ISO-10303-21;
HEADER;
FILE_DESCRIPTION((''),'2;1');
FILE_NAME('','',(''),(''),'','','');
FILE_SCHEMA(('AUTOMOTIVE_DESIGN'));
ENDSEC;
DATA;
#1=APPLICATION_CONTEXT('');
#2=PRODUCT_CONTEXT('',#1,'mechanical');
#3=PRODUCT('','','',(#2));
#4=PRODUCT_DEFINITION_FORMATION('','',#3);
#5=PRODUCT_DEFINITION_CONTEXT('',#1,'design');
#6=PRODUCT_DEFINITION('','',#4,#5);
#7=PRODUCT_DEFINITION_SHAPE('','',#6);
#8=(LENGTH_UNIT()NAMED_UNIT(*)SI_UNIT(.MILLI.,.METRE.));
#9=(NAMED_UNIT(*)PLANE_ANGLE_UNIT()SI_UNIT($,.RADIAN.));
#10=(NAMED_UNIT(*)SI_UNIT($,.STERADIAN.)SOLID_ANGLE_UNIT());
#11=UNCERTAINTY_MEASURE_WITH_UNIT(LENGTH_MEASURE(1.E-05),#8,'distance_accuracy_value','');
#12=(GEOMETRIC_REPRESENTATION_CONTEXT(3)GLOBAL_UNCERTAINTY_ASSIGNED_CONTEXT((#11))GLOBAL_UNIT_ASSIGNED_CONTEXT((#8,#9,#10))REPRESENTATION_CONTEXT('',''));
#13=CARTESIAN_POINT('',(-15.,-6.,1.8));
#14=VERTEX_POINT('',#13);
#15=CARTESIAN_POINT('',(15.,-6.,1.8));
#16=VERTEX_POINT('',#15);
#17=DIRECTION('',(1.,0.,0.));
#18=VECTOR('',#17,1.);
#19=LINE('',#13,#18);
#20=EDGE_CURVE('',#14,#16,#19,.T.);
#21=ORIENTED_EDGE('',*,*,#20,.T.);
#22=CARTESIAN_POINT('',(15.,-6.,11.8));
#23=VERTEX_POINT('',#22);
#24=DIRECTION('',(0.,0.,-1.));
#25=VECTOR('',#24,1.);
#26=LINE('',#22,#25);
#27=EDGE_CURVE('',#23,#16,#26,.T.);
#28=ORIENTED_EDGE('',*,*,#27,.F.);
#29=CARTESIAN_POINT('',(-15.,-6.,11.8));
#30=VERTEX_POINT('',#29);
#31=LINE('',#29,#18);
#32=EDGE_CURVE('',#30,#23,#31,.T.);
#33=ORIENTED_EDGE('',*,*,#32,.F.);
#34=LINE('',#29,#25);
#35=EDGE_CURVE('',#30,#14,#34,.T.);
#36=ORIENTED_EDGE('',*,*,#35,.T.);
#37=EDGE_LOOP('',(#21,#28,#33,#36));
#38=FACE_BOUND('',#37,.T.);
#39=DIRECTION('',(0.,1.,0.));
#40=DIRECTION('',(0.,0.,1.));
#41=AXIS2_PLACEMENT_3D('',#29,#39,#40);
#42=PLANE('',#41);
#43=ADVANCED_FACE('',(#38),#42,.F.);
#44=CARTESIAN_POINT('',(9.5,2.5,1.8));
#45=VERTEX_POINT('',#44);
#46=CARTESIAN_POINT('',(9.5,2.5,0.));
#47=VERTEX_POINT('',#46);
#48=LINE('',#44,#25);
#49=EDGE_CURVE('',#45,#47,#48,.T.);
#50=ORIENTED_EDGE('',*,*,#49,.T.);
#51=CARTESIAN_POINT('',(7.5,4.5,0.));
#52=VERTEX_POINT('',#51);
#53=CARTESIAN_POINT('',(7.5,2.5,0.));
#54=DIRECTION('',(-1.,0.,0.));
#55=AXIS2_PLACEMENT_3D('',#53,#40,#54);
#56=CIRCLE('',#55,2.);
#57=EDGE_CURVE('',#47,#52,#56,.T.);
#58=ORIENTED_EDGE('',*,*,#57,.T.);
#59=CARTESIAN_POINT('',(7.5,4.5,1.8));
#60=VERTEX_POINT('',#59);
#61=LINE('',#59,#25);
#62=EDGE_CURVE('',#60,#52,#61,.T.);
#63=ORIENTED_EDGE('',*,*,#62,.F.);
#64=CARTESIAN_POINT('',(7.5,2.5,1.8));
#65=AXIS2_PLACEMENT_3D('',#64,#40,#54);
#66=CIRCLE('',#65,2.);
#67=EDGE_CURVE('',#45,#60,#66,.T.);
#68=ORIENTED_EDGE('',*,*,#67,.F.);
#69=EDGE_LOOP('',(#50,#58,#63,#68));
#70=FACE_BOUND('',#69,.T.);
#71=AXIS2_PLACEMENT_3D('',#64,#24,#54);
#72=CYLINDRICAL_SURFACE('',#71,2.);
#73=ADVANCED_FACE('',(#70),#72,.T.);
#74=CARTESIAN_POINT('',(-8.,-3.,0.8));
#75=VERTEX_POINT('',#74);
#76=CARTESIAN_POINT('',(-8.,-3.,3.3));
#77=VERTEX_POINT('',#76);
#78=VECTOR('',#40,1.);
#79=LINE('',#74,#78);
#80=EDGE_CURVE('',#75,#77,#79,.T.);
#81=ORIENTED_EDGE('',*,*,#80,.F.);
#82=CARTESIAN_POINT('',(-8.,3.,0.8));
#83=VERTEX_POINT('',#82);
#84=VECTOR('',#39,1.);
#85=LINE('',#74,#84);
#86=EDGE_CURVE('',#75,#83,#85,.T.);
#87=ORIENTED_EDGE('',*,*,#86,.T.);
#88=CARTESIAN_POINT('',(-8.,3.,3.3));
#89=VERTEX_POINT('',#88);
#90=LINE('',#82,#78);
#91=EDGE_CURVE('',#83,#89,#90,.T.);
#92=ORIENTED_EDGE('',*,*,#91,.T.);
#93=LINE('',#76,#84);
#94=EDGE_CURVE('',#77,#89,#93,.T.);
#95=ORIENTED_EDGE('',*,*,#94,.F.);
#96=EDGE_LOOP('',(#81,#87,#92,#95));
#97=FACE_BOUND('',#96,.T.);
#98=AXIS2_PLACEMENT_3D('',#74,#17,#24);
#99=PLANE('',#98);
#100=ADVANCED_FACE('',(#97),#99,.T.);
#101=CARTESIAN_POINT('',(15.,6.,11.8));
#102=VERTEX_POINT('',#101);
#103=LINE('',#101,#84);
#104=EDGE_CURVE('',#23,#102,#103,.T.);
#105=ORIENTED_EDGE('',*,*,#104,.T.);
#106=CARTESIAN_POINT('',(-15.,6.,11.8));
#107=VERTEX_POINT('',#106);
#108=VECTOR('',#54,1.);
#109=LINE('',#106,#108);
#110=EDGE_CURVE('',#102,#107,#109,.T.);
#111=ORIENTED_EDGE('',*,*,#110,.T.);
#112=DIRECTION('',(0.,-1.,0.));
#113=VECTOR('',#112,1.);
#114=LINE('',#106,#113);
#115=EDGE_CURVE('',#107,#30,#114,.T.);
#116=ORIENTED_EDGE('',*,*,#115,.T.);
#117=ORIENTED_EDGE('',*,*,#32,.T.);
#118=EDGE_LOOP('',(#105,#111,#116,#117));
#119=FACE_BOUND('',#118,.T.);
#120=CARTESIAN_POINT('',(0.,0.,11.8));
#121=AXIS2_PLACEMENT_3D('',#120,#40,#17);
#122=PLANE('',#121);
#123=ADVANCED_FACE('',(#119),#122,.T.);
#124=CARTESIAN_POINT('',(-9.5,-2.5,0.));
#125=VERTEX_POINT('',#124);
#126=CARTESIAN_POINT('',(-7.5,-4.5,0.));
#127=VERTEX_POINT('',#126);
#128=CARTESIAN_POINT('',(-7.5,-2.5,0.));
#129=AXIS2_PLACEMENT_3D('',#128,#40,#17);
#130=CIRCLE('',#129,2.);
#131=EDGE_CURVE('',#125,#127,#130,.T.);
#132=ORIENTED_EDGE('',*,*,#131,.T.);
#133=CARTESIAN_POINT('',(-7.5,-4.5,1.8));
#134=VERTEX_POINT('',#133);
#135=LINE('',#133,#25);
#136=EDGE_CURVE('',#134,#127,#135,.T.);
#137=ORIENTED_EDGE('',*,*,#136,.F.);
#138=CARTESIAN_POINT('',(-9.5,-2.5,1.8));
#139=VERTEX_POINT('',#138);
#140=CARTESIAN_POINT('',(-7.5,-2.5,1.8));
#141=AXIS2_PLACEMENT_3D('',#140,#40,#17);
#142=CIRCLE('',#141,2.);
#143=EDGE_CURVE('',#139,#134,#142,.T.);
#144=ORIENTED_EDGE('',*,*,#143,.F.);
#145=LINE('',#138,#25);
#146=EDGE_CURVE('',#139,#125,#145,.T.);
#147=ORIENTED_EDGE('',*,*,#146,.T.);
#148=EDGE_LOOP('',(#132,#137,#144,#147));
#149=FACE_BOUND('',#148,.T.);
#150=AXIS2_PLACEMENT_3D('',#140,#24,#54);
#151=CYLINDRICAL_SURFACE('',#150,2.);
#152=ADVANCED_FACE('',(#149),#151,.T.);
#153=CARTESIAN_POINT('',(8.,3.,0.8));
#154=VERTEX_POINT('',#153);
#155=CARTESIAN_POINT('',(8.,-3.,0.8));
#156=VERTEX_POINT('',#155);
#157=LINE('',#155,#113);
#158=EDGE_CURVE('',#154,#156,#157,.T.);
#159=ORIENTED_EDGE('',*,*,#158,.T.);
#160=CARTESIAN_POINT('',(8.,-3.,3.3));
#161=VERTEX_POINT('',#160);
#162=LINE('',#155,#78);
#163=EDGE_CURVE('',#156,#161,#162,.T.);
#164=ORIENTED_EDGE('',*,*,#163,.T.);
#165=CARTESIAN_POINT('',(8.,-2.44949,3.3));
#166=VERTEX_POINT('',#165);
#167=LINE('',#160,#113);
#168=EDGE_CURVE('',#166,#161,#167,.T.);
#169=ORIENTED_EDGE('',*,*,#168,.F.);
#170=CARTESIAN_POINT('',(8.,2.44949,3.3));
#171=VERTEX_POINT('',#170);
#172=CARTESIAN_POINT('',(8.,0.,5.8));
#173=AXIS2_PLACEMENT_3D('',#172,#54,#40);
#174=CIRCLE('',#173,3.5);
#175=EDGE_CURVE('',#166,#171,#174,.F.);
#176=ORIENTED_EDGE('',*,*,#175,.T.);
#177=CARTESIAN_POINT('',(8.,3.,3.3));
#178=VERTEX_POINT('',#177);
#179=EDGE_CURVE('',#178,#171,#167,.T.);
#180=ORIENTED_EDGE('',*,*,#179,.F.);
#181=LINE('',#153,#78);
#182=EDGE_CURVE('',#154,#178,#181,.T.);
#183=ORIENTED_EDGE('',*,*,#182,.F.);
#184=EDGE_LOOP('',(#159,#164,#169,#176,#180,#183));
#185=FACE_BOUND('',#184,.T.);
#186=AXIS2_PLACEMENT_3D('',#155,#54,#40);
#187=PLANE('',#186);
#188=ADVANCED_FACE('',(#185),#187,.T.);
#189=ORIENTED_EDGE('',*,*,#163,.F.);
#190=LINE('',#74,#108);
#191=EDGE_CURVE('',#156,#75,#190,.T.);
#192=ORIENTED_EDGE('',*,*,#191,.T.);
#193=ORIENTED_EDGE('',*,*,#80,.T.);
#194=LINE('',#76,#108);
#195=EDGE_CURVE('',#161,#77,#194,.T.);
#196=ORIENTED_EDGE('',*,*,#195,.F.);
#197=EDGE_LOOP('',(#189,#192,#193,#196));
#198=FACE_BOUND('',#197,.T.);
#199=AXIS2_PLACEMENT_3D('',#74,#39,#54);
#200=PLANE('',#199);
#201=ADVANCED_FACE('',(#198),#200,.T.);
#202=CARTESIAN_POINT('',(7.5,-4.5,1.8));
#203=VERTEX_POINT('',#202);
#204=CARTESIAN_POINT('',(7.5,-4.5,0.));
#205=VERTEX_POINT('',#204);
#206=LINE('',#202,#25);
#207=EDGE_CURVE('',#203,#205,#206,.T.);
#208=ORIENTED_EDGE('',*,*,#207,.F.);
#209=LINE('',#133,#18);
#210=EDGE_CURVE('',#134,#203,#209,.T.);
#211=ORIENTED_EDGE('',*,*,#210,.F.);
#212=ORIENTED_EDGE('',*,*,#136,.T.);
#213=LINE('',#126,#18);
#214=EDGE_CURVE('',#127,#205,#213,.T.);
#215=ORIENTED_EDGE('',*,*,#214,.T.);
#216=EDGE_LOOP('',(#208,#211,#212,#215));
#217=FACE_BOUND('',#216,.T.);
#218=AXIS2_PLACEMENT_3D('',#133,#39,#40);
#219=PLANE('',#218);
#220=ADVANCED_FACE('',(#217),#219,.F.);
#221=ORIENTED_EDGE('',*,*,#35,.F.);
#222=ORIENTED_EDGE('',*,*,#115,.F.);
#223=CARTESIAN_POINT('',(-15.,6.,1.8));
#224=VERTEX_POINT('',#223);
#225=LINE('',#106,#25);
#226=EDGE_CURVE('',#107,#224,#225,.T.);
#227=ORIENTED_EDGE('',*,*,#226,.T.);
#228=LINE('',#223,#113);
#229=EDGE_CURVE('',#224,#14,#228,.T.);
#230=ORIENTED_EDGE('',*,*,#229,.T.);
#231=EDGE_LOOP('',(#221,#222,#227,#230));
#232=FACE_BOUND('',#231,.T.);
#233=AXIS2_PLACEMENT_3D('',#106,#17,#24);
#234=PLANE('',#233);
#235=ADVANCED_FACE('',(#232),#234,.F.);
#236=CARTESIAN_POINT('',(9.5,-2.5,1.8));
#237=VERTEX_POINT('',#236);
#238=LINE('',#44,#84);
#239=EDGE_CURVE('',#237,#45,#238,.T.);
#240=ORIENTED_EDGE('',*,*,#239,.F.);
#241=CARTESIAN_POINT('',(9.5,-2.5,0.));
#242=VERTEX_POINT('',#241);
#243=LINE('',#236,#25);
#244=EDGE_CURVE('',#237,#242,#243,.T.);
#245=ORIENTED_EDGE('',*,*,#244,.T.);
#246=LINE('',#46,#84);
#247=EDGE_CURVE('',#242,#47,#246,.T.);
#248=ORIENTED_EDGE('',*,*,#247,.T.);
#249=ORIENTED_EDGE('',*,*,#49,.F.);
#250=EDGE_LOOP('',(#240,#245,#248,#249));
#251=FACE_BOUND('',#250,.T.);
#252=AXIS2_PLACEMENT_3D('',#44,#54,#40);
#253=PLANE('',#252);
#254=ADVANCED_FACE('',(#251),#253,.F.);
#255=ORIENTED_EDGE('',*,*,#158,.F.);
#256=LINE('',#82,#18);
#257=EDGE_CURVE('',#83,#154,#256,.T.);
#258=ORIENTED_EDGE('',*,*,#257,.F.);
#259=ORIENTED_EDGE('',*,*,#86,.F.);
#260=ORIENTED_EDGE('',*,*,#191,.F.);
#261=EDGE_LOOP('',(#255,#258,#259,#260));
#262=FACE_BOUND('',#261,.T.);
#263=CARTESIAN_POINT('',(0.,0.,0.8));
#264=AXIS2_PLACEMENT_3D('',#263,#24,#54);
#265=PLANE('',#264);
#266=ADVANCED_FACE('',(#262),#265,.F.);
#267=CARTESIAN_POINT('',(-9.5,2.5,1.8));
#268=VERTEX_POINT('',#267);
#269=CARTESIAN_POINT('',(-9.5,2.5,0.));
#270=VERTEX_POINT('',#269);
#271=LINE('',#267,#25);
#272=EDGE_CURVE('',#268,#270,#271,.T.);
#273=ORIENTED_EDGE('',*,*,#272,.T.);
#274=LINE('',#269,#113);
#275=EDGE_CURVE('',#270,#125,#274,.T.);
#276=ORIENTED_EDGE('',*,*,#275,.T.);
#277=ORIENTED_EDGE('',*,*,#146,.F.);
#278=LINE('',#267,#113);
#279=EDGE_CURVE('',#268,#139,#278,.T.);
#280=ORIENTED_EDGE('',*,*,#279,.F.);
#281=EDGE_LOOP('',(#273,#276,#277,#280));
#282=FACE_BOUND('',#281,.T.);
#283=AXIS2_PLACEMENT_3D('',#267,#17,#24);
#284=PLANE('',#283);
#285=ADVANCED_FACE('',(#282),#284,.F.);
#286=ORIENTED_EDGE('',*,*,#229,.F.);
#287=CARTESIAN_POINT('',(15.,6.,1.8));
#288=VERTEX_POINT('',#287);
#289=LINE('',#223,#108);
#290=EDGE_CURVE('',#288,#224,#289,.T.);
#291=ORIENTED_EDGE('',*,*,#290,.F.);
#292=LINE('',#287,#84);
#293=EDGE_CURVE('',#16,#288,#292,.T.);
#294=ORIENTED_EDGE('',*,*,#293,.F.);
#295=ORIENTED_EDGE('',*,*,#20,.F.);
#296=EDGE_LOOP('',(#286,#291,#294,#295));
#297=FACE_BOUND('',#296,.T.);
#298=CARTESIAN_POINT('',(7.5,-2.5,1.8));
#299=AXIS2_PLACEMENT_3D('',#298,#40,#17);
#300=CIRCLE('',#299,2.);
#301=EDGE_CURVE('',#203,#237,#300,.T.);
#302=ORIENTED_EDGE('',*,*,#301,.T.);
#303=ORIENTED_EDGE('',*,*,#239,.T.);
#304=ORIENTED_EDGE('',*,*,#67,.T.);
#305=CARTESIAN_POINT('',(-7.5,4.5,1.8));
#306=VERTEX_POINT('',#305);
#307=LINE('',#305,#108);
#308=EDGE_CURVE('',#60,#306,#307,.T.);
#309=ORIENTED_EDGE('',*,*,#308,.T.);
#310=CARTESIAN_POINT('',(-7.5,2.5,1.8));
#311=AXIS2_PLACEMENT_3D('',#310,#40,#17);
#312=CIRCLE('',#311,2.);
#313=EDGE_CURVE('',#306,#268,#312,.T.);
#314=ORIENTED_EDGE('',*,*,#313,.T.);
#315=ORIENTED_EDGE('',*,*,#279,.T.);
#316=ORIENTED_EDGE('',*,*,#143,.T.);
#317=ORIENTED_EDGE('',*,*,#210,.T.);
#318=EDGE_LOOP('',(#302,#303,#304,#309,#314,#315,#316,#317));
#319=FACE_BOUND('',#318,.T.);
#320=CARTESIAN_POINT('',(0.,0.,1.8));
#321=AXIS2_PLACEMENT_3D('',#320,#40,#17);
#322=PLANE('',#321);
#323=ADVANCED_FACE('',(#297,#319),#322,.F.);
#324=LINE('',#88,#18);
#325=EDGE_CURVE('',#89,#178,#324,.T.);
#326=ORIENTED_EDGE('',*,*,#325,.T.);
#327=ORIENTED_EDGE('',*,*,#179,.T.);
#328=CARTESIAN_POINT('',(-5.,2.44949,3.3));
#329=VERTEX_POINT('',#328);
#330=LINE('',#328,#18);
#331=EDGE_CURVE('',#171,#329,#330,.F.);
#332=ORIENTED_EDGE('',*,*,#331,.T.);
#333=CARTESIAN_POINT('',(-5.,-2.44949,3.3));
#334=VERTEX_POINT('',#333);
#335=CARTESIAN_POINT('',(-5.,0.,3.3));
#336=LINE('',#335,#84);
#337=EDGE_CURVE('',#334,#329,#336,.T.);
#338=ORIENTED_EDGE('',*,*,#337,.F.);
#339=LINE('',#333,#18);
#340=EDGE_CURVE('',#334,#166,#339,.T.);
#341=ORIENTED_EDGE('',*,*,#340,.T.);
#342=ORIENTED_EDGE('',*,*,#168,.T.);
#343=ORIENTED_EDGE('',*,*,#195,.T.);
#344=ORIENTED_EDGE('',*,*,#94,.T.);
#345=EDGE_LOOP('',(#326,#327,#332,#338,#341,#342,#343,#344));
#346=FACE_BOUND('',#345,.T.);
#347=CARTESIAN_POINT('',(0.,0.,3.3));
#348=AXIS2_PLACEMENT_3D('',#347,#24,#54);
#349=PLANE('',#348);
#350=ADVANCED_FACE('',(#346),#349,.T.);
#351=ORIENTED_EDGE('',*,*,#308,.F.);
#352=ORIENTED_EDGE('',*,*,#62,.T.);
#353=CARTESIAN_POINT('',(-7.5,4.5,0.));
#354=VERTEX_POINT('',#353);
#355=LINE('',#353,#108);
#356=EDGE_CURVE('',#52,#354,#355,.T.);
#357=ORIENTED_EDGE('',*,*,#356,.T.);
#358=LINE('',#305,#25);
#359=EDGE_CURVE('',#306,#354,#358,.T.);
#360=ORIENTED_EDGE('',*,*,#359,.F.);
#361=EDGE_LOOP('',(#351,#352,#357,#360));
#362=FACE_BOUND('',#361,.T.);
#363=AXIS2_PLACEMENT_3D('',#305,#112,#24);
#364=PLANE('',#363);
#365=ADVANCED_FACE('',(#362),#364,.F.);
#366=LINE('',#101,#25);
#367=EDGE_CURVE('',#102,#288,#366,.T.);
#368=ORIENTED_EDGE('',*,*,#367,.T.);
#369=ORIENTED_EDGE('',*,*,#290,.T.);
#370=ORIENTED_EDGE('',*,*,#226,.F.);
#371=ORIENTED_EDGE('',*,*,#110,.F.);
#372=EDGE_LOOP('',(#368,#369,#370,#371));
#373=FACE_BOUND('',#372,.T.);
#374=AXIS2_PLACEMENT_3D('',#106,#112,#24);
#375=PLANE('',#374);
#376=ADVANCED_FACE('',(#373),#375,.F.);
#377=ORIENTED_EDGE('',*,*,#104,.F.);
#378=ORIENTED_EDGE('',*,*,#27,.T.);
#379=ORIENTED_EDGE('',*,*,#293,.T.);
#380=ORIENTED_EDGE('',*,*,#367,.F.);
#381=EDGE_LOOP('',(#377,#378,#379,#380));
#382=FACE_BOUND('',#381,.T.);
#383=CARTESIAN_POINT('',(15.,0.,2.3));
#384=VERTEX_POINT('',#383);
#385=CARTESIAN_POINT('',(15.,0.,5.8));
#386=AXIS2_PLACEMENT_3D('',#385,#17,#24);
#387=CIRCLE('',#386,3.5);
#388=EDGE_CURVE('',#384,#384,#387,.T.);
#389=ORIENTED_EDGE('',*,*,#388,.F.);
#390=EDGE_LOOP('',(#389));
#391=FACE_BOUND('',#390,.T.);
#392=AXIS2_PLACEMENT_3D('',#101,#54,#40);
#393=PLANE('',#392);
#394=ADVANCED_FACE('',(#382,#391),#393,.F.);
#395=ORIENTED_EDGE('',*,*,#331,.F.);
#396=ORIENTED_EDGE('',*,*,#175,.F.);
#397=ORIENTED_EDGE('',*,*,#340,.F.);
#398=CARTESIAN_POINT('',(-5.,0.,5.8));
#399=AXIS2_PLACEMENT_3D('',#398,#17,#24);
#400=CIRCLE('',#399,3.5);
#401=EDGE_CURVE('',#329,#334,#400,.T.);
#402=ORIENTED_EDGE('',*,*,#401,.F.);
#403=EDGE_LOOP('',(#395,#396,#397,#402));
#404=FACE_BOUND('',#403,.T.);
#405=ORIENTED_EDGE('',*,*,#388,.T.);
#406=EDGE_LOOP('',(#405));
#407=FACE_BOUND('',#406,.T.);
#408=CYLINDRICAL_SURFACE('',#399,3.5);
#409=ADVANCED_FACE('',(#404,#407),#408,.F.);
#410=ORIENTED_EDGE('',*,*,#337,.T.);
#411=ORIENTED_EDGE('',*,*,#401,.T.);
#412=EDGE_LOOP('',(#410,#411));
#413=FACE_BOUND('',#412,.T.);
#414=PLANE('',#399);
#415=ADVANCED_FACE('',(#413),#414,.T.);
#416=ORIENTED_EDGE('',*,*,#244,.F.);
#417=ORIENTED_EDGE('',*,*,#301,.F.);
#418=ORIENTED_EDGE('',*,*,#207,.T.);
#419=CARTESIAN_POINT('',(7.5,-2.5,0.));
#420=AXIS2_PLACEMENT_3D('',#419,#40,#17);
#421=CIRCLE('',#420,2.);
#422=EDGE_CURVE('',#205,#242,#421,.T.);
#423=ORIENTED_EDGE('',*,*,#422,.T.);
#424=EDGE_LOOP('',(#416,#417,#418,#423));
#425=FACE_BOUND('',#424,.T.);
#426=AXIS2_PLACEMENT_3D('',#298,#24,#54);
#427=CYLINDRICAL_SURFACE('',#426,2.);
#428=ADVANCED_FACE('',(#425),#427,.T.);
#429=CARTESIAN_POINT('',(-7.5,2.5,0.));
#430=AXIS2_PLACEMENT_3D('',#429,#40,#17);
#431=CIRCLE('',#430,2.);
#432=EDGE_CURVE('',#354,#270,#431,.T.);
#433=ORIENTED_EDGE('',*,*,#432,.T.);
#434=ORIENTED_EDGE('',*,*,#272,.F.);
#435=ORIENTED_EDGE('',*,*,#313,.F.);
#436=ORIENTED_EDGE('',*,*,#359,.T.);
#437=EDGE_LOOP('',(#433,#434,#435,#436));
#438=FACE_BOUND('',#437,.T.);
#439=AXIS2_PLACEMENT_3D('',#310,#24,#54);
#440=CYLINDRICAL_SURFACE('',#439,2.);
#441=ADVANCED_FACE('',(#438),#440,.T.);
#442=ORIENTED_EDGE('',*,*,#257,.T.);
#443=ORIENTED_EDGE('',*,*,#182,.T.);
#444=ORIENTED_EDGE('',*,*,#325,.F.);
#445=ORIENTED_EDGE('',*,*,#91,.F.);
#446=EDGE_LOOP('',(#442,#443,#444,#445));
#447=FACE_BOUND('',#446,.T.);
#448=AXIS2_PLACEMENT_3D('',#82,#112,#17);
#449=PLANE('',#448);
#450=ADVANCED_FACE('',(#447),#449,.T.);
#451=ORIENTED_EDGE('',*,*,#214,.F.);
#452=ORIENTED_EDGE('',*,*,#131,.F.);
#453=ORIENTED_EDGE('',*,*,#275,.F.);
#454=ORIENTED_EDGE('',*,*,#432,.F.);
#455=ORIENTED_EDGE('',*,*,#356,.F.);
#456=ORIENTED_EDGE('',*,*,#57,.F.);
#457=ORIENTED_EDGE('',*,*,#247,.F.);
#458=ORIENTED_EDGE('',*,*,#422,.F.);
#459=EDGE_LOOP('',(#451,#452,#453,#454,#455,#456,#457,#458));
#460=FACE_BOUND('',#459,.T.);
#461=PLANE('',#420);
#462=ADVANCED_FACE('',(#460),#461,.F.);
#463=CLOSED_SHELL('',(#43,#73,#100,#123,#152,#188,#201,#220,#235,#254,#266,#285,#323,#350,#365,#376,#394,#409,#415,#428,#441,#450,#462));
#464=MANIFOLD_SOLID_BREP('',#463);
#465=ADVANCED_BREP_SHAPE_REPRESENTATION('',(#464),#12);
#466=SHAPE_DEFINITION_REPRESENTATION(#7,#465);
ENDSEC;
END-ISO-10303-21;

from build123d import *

# Parameters (mm, degrees)
P_IDAT_VYSUNUT_M1_DEPTH       = 1.8
SKICA2_W                      = 30
SKICA2_H                      = 12
P_IDAT_VYSUNUT_M2_DEPTH       = 10
SKICA3_R                      = 3.5
ODEBRAT_VYSUNUT_M1_DEPTH      = 20
ODEBRAT_VYSUNUT_M2_DEPTH      = 1
ODEBRAT_VYSUNUT_M2_DEPTH_BACK = 1.5
SKICA4_W                      = 16
SKICA4_H                      = 6


with BuildPart() as part:
    # Skica1 → Přidat vysunutím1 (new body)
    with BuildSketch(Plane.XY):
        with BuildLine():
            Line((-7.5, 4.5), (7.5, 4.5))
            ThreePointArc((7.5, 4.5), (8.914213562, 3.914213562), (9.5, 2.5))
            Line((9.5, 2.5), (9.5, -2.5))
            ThreePointArc((9.5, -2.5), (8.914213562, -3.914213562), (7.5, -4.5))
            Line((7.5, -4.5), (-7.5, -4.5))
            ThreePointArc((-7.5, -4.5), (-8.914213562, -3.914213562), (-9.5, -2.5))
            Line((-9.5, -2.5), (-9.5, 2.5))
            ThreePointArc((-9.5, 2.5), (-8.914213562, 3.914213562), (-7.5, 4.5))
        make_face()
    extrude(amount=P_IDAT_VYSUNUT_M1_DEPTH)

    # Skica2 → Přidat vysunutím2 (add)
    with BuildSketch(Plane.XY.offset(1.8)):
        Rectangle(SKICA2_W, SKICA2_H)
    extrude(amount=P_IDAT_VYSUNUT_M2_DEPTH)

    # Skica3 → Odebrat vysunutím1 (cut)
    with BuildSketch(Plane(origin=(15, 0, 0), x_dir=(0, 0, -1), z_dir=(1, 0, 0))):
        with Locations((-5.8, 0)):
            Circle(SKICA3_R)
    extrude(amount=-ODEBRAT_VYSUNUT_M1_DEPTH, mode=Mode.SUBTRACT)

    # Skica4 → Odebrat vysunutím2 (cut, two sides: drawn at the far end of the back side and taken through both)
    with BuildSketch(Plane(origin=(0, 0, 1.8), x_dir=(-1, 0, 0), z_dir=(0, 0, -1)).offset(-ODEBRAT_VYSUNUT_M2_DEPTH_BACK)):
        Rectangle(SKICA4_W, SKICA4_H)
    extrude(amount=ODEBRAT_VYSUNUT_M2_DEPTH + ODEBRAT_VYSUNUT_M2_DEPTH_BACK, mode=Mode.SUBTRACT)


solid = part.part
